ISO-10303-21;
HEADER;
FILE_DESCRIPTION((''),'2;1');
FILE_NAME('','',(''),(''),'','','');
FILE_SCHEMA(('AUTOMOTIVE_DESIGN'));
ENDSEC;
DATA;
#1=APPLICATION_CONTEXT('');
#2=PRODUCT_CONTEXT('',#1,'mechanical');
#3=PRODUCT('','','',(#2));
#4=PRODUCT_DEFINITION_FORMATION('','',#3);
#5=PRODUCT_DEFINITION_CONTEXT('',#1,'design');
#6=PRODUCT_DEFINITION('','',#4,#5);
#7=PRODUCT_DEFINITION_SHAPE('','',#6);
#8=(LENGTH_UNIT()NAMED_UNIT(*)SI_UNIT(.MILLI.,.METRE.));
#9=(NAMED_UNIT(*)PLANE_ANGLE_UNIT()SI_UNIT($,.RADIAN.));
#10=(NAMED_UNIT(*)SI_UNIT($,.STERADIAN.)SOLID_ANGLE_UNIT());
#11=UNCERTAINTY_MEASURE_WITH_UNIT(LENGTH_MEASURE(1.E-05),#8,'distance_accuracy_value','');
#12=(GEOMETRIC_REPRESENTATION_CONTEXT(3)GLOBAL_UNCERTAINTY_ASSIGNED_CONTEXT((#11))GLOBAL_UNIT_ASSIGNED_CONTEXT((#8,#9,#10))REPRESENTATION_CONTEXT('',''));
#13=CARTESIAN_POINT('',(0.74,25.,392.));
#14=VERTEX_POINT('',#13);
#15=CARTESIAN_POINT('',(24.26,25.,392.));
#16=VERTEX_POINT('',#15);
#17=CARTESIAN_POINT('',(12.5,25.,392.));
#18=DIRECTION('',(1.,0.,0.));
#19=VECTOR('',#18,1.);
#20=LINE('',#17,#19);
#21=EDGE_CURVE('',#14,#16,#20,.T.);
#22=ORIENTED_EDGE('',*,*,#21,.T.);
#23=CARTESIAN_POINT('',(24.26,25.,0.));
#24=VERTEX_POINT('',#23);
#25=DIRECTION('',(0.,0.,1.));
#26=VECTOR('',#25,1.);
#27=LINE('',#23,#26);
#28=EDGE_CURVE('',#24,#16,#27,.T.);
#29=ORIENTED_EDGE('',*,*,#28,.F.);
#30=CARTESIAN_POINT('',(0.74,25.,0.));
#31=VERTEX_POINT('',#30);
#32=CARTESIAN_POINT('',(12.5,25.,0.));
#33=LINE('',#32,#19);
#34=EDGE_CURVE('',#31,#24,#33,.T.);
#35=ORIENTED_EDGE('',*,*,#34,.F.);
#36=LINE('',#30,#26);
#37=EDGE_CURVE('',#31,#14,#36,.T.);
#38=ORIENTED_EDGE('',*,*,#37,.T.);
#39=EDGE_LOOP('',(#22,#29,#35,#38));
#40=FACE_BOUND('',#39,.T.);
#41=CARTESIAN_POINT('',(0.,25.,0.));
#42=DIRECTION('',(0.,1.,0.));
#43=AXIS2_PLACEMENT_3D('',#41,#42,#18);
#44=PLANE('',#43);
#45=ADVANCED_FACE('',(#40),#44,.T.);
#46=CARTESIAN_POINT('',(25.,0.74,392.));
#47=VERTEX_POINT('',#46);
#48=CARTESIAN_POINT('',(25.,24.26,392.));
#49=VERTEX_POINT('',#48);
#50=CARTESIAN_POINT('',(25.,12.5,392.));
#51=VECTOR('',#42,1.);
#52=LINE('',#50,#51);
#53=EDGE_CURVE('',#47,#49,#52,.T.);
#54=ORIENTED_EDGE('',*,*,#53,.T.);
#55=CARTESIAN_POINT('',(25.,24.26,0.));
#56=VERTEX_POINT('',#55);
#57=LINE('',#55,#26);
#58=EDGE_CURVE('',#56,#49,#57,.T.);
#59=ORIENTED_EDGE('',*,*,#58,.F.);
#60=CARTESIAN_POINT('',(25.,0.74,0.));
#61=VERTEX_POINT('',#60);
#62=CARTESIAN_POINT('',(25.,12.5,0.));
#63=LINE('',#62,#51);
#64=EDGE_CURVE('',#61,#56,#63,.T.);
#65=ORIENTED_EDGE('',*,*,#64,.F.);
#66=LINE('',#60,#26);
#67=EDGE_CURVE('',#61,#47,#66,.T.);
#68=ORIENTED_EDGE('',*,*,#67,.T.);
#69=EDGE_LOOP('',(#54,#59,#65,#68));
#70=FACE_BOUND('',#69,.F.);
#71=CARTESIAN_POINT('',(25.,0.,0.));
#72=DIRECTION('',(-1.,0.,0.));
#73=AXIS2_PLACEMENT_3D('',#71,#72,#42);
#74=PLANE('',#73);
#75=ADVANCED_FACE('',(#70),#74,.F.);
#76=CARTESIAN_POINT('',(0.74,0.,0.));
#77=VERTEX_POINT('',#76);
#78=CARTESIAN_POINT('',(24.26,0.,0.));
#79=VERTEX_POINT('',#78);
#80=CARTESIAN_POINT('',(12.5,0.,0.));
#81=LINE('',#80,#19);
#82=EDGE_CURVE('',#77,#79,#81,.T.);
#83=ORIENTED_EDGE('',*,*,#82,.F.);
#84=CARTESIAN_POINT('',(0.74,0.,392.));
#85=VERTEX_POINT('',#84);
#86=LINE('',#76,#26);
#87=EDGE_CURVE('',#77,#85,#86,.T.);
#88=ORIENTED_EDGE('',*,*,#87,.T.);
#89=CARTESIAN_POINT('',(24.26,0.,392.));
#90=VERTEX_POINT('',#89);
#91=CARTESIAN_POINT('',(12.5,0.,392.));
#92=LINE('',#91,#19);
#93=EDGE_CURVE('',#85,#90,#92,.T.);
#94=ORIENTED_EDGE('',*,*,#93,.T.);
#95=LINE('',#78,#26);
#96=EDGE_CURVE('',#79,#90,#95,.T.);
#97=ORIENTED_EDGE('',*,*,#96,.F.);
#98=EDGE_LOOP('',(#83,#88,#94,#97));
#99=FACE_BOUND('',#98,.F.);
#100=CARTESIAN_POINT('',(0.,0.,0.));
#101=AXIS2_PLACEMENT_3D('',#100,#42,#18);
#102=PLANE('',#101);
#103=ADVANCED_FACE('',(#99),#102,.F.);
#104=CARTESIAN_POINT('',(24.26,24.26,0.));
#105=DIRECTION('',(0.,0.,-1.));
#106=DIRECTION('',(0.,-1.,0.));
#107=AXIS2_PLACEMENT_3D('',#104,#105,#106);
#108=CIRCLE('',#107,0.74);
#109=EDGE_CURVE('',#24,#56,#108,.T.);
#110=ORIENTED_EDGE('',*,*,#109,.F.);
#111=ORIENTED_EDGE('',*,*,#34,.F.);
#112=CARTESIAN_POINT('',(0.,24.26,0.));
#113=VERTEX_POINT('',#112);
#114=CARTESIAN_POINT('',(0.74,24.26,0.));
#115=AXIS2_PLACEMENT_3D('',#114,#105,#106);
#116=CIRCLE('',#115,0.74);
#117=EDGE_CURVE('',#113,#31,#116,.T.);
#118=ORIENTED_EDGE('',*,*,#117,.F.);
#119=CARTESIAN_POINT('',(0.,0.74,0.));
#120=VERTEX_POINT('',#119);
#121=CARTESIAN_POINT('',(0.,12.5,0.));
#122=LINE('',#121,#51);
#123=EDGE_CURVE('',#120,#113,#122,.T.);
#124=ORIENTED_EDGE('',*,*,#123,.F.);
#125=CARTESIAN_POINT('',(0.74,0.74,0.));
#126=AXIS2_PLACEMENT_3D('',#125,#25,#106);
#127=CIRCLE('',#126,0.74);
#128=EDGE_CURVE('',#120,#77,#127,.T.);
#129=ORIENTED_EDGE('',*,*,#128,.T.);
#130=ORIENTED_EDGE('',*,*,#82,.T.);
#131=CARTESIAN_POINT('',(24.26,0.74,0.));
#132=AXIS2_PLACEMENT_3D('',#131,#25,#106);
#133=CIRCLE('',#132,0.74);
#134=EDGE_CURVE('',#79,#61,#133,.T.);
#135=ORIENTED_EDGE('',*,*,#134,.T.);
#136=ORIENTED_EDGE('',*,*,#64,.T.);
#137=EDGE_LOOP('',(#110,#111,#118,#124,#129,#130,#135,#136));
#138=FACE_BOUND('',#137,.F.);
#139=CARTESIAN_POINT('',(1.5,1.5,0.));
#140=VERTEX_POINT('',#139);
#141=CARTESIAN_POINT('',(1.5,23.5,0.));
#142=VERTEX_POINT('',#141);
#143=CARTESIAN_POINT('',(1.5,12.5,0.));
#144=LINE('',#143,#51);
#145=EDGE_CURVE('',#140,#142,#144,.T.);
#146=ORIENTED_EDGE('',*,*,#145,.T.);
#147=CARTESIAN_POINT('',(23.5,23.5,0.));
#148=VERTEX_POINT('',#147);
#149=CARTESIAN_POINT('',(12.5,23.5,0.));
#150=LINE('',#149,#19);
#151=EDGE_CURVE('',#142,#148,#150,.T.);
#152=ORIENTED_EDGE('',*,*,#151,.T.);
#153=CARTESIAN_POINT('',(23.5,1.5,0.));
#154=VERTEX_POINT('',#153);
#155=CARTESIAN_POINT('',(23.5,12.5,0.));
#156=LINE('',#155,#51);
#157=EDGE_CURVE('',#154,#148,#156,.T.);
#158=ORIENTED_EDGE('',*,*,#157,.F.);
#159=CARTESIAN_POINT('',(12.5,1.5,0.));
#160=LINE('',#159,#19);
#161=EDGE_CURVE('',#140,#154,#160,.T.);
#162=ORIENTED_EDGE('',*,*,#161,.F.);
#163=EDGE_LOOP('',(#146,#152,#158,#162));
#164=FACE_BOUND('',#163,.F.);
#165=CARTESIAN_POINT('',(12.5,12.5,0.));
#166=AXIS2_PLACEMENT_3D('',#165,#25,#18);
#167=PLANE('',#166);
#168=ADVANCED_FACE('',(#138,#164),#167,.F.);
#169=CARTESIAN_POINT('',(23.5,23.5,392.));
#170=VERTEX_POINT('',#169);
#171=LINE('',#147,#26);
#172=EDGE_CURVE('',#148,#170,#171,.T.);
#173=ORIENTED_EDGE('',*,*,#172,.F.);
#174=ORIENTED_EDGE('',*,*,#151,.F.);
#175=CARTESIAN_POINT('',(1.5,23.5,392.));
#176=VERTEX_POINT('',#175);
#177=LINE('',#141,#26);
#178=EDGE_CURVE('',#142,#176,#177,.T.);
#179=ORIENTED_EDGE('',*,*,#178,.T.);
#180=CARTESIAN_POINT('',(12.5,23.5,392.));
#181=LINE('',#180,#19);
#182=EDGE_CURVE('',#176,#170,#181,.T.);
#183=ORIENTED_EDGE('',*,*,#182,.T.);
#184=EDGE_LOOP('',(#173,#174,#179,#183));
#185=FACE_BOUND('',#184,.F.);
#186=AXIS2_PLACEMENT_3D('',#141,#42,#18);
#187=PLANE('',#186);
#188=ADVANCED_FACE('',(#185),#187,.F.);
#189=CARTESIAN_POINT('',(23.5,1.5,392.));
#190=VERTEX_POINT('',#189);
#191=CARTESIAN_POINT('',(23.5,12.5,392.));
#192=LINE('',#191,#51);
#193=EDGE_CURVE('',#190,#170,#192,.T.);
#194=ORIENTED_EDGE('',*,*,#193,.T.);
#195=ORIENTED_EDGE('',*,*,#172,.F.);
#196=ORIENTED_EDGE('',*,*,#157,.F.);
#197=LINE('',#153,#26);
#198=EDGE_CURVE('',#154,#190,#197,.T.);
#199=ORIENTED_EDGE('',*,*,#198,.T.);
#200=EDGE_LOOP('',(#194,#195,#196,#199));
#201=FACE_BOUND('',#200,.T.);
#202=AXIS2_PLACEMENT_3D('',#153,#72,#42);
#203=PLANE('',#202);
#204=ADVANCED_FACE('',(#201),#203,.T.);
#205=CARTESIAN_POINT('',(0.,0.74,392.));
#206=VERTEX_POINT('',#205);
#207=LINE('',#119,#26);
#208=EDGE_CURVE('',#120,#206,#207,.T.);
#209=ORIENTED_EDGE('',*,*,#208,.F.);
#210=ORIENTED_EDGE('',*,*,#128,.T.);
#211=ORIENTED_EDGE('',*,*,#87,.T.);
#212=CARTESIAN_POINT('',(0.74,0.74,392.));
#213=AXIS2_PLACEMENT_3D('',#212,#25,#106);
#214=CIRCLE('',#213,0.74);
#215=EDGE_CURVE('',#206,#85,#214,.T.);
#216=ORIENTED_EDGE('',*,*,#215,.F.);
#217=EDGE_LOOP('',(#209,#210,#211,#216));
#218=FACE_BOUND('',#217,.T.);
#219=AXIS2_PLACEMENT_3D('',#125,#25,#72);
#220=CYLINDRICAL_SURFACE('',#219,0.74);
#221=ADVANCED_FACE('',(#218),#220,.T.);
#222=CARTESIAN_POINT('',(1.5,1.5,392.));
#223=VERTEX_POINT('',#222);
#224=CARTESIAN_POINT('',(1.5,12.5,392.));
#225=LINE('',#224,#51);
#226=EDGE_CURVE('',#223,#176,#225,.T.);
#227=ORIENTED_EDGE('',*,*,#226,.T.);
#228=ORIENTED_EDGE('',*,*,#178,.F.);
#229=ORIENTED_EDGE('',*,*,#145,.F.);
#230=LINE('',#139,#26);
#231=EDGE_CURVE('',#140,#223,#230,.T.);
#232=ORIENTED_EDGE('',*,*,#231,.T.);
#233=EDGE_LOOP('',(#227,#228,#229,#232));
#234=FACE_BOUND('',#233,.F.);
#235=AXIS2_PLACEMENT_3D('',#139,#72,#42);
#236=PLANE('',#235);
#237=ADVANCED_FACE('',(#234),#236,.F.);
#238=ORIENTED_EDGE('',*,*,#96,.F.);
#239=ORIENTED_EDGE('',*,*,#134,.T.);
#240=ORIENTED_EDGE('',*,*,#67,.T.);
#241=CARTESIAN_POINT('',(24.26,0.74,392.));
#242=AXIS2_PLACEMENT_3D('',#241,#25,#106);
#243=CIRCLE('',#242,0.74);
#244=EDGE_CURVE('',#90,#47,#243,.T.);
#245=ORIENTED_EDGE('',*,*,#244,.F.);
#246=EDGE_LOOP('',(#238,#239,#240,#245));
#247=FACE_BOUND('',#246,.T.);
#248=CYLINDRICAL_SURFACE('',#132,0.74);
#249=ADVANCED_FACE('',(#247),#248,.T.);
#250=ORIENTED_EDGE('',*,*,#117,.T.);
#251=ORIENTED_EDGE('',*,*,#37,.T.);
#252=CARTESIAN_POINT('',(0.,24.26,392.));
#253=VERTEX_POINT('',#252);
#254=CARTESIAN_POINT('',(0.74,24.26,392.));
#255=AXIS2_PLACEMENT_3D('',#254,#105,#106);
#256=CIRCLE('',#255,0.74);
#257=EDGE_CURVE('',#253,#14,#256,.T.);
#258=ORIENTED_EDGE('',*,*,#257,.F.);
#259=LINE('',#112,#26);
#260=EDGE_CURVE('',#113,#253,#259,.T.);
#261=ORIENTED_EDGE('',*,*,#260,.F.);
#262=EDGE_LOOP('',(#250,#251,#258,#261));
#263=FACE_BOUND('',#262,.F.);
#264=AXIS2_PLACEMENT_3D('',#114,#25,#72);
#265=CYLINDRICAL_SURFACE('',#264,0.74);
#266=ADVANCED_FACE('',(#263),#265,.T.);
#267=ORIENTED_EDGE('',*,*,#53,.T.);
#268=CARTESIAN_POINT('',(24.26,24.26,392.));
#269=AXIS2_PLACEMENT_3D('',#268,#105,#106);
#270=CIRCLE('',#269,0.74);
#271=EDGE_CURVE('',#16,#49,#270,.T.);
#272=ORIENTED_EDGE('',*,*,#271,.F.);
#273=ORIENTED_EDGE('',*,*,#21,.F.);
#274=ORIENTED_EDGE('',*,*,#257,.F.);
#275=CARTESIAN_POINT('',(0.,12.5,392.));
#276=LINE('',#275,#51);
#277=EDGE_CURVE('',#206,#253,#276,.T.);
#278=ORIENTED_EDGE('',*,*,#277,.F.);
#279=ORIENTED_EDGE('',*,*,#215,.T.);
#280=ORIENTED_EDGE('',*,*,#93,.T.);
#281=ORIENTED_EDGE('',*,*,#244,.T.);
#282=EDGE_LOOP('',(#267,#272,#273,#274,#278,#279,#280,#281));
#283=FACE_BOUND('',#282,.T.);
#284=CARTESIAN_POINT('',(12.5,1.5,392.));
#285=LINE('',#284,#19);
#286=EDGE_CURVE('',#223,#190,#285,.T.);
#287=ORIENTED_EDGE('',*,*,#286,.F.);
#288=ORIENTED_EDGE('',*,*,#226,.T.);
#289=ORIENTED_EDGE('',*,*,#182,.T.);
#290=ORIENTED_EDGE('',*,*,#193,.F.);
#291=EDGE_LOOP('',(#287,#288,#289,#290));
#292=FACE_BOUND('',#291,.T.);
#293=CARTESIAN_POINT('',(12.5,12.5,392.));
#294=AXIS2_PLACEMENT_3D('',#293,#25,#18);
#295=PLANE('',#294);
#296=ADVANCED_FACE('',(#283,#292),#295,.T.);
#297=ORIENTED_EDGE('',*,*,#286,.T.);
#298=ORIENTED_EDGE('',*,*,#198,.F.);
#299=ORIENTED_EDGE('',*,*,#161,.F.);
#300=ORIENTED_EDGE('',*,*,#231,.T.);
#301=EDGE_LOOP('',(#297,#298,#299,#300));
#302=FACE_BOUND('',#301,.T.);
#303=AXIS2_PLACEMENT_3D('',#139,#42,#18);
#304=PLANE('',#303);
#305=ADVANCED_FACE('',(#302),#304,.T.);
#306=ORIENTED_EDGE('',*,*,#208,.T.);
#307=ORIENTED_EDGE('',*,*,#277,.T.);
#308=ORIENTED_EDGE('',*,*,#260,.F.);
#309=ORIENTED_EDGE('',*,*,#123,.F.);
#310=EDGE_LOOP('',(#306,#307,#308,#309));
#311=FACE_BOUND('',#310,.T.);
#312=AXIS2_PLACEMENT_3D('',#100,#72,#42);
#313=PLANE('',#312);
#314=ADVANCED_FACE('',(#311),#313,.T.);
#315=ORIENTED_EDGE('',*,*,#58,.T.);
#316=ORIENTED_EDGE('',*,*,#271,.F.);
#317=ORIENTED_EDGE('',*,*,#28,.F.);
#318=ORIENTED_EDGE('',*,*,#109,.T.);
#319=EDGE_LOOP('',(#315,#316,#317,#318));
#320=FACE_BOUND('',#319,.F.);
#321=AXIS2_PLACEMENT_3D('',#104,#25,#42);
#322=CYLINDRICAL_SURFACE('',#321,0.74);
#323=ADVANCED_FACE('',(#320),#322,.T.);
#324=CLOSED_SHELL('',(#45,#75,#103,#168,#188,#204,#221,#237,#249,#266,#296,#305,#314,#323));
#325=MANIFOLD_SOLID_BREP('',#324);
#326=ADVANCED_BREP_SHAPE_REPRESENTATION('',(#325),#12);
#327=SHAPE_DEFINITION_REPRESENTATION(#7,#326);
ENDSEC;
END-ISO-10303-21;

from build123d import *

# Parameters (mm, degrees)
SKETCH_W   = 25
SKETCH_H   = 25
SKETCH_W_2 = 22
SKETCH_H_2 = 22
PAD_DEPTH  = 392
FILLET_R   = 0.74


with BuildPart() as part:
    # Sketch → Pad (new body)
    with BuildSketch(Plane.XY):
        with Locations((12.5, 12.5)):
            Rectangle(SKETCH_W, SKETCH_H)
        with Locations((12.5, 12.5)):
            Rectangle(SKETCH_W_2, SKETCH_H_2, mode=Mode.SUBTRACT)
    extrude(amount=PAD_DEPTH)

    # Fillet
    fillet_edges = [part.edges().sort_by_distance(p)[0] for p in [
        (25, 0, 196),
        (0, 0, 196),
        (25, 25, 196),
        (0, 25, 196),
    ]]
    fillet(fillet_edges, radius=FILLET_R)


solid = part.part
